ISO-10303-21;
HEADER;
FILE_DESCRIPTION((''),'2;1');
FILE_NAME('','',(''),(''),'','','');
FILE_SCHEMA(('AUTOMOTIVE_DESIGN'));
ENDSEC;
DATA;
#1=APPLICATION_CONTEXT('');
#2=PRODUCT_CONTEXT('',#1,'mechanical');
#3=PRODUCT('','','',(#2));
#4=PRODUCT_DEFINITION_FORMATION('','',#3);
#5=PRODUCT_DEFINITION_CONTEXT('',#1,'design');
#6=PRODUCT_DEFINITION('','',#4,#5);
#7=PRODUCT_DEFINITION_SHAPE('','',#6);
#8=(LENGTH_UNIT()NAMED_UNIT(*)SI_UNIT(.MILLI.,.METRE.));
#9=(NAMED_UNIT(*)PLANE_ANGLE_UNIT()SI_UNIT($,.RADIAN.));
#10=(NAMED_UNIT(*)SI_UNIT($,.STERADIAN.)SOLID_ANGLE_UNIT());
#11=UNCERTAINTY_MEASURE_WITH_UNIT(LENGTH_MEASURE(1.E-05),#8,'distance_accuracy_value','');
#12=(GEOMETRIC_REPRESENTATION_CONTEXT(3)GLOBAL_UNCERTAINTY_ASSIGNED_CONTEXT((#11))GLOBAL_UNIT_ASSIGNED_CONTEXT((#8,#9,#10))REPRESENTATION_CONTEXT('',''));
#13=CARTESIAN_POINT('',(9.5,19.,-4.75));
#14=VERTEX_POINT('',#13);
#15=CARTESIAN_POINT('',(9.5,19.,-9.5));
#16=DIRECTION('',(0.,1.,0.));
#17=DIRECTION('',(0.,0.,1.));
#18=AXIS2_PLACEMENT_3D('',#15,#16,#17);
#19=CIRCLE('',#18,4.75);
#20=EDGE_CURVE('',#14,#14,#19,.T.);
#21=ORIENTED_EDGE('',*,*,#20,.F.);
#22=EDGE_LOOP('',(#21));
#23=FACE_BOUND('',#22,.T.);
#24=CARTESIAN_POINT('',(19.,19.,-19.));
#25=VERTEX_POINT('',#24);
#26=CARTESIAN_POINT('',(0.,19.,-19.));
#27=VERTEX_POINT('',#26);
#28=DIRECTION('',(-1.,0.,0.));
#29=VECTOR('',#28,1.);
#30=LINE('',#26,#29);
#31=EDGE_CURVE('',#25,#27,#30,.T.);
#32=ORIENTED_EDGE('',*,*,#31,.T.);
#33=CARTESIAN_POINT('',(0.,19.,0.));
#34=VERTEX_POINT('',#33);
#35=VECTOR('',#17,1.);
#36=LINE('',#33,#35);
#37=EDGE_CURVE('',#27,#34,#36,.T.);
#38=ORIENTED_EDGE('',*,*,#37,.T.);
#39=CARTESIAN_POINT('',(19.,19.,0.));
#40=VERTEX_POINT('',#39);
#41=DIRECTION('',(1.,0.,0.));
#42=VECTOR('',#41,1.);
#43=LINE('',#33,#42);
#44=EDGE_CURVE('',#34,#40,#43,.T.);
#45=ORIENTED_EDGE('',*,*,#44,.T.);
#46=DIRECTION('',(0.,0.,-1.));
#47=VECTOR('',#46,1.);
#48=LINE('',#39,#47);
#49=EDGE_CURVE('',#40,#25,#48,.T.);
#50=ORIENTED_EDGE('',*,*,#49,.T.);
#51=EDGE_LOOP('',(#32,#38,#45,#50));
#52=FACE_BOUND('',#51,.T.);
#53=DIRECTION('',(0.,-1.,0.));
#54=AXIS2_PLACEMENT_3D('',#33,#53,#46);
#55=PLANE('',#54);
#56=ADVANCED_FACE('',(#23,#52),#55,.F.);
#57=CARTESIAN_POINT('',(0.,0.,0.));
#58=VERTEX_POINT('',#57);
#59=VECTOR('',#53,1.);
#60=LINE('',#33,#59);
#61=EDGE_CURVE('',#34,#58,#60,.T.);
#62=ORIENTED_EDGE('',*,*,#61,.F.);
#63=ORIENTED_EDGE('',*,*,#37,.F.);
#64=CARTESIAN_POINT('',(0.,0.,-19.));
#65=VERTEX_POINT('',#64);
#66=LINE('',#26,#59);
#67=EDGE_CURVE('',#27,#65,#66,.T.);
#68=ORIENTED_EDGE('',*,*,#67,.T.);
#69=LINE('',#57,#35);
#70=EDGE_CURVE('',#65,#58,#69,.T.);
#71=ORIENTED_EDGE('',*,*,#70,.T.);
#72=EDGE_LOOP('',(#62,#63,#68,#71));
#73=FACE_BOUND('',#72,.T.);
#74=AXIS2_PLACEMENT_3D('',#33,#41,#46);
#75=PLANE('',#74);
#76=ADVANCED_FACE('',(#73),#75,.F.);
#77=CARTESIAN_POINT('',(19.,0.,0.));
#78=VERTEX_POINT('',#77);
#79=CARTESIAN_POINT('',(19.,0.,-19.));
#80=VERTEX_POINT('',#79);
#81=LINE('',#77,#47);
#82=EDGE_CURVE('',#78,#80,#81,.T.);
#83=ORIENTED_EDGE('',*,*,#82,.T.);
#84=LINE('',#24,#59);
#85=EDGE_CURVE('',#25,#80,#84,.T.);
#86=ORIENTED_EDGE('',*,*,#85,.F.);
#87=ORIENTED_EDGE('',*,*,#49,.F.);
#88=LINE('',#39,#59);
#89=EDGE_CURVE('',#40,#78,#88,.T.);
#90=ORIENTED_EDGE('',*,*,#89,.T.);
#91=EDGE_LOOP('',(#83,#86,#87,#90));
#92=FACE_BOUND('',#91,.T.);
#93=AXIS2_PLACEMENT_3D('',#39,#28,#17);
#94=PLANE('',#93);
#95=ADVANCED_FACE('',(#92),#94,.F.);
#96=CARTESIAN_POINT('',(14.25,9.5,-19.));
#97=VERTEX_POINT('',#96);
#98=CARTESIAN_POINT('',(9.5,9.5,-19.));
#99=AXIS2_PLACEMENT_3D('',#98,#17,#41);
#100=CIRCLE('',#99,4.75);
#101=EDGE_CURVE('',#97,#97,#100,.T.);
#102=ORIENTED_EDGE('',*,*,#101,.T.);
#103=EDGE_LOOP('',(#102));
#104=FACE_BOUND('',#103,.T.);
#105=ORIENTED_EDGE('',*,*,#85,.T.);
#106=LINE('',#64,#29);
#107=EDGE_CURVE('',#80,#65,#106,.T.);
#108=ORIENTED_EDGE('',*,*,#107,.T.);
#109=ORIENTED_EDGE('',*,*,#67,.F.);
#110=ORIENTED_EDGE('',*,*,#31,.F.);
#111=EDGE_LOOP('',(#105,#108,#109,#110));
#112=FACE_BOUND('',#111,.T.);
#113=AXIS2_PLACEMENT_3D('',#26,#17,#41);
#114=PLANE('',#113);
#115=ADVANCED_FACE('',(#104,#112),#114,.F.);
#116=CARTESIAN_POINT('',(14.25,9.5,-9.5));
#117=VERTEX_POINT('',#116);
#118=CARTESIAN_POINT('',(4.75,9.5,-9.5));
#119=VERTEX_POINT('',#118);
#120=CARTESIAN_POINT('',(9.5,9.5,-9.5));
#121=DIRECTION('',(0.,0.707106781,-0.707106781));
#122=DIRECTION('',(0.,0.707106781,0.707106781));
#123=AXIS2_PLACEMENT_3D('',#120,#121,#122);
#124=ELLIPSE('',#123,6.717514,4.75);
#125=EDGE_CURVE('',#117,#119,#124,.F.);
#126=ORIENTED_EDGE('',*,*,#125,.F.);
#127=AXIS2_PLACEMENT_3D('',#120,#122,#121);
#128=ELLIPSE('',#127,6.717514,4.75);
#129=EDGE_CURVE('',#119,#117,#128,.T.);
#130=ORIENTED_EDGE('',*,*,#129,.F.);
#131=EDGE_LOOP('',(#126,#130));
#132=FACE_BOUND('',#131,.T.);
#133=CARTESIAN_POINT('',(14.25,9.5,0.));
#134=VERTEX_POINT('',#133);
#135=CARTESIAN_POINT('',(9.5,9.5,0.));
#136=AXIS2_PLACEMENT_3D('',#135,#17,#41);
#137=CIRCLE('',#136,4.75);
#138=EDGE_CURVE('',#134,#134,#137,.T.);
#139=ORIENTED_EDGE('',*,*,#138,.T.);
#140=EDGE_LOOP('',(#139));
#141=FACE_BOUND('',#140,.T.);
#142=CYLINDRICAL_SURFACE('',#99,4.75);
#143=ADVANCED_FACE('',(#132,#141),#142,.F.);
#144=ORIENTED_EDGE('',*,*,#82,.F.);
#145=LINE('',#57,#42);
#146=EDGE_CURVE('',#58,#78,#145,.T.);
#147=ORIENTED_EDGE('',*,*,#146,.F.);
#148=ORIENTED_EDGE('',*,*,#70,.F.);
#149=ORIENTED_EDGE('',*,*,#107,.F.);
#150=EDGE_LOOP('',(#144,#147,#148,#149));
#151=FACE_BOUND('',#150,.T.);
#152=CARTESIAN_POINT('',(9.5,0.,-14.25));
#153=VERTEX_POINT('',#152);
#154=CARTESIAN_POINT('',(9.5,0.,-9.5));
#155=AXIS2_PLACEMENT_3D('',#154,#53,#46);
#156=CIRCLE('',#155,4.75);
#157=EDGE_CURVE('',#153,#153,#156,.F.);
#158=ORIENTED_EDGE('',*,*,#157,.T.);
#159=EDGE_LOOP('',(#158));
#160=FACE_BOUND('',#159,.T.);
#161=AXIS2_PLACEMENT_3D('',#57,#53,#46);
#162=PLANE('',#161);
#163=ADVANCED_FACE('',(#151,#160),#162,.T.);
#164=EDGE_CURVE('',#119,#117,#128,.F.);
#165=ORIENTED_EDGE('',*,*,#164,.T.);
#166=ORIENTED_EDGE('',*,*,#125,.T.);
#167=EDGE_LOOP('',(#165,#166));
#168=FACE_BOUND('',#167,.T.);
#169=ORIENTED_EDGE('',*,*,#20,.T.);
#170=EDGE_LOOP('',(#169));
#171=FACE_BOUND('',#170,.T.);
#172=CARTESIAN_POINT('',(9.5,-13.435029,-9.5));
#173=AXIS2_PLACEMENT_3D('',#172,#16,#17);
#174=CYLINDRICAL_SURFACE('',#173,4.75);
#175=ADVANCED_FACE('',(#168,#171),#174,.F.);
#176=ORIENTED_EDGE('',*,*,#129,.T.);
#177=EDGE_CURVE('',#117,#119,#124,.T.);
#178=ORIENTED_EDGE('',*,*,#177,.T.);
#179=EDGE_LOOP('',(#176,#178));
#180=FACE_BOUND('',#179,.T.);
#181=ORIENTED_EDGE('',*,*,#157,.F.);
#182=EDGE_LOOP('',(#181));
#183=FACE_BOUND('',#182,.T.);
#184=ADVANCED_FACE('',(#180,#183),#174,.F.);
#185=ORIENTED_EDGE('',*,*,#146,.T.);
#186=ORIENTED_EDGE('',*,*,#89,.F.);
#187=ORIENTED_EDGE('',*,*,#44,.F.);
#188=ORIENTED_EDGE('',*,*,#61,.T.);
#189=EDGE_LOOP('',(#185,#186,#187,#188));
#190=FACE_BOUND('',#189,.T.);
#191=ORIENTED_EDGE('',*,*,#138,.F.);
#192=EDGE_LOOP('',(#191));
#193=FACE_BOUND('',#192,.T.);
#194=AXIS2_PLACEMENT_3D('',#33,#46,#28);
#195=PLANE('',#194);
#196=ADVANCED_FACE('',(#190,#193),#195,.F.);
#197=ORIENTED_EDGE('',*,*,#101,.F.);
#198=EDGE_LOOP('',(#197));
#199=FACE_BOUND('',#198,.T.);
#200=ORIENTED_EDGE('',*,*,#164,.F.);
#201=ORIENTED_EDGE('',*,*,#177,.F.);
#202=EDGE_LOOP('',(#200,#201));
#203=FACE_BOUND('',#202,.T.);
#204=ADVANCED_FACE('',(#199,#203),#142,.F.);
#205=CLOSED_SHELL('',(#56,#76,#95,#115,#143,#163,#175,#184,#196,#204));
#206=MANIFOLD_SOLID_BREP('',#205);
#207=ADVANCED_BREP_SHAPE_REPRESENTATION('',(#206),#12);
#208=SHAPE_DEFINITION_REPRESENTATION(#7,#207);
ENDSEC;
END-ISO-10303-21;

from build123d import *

# Parameters (mm, degrees)
SKETCH1_W           = 19
SKETCH1_H           = 19
BOSS_EXTRUDE1_DEPTH = 19
SKETCH2_R           = 4.75
CUT_EXTRUDE1_DEPTH  = 19
SKETCH3_R           = 4.75
CUT_EXTRUDE2_DEPTH  = 19


with BuildPart() as part:
    # Sketch1 → Boss-Extrude1 (new body)
    with BuildSketch(Plane(origin=(0, 0, 0), x_dir=(1, 0, 0), z_dir=(0, 1, 0))):
        with Locations((9.5, 9.5)):
            Rectangle(SKETCH1_W, SKETCH1_H)
    extrude(amount=BOSS_EXTRUDE1_DEPTH)

    # Sketch2 → Cut-Extrude1 (cut)
    with BuildSketch(Plane(origin=(0, 19, 0), x_dir=(1, 0, 0), z_dir=(0, 1, 0))):
        with Locations((9.5, 9.5)):
            Circle(SKETCH2_R)
    extrude(amount=-CUT_EXTRUDE1_DEPTH, mode=Mode.SUBTRACT)

    # Sketch3 → Cut-Extrude2 (cut)
    with BuildSketch(Plane.XY):
        with Locations((9.5, 9.5)):
            Circle(SKETCH3_R)
    extrude(amount=-CUT_EXTRUDE2_DEPTH, mode=Mode.SUBTRACT)


solid = part.part
